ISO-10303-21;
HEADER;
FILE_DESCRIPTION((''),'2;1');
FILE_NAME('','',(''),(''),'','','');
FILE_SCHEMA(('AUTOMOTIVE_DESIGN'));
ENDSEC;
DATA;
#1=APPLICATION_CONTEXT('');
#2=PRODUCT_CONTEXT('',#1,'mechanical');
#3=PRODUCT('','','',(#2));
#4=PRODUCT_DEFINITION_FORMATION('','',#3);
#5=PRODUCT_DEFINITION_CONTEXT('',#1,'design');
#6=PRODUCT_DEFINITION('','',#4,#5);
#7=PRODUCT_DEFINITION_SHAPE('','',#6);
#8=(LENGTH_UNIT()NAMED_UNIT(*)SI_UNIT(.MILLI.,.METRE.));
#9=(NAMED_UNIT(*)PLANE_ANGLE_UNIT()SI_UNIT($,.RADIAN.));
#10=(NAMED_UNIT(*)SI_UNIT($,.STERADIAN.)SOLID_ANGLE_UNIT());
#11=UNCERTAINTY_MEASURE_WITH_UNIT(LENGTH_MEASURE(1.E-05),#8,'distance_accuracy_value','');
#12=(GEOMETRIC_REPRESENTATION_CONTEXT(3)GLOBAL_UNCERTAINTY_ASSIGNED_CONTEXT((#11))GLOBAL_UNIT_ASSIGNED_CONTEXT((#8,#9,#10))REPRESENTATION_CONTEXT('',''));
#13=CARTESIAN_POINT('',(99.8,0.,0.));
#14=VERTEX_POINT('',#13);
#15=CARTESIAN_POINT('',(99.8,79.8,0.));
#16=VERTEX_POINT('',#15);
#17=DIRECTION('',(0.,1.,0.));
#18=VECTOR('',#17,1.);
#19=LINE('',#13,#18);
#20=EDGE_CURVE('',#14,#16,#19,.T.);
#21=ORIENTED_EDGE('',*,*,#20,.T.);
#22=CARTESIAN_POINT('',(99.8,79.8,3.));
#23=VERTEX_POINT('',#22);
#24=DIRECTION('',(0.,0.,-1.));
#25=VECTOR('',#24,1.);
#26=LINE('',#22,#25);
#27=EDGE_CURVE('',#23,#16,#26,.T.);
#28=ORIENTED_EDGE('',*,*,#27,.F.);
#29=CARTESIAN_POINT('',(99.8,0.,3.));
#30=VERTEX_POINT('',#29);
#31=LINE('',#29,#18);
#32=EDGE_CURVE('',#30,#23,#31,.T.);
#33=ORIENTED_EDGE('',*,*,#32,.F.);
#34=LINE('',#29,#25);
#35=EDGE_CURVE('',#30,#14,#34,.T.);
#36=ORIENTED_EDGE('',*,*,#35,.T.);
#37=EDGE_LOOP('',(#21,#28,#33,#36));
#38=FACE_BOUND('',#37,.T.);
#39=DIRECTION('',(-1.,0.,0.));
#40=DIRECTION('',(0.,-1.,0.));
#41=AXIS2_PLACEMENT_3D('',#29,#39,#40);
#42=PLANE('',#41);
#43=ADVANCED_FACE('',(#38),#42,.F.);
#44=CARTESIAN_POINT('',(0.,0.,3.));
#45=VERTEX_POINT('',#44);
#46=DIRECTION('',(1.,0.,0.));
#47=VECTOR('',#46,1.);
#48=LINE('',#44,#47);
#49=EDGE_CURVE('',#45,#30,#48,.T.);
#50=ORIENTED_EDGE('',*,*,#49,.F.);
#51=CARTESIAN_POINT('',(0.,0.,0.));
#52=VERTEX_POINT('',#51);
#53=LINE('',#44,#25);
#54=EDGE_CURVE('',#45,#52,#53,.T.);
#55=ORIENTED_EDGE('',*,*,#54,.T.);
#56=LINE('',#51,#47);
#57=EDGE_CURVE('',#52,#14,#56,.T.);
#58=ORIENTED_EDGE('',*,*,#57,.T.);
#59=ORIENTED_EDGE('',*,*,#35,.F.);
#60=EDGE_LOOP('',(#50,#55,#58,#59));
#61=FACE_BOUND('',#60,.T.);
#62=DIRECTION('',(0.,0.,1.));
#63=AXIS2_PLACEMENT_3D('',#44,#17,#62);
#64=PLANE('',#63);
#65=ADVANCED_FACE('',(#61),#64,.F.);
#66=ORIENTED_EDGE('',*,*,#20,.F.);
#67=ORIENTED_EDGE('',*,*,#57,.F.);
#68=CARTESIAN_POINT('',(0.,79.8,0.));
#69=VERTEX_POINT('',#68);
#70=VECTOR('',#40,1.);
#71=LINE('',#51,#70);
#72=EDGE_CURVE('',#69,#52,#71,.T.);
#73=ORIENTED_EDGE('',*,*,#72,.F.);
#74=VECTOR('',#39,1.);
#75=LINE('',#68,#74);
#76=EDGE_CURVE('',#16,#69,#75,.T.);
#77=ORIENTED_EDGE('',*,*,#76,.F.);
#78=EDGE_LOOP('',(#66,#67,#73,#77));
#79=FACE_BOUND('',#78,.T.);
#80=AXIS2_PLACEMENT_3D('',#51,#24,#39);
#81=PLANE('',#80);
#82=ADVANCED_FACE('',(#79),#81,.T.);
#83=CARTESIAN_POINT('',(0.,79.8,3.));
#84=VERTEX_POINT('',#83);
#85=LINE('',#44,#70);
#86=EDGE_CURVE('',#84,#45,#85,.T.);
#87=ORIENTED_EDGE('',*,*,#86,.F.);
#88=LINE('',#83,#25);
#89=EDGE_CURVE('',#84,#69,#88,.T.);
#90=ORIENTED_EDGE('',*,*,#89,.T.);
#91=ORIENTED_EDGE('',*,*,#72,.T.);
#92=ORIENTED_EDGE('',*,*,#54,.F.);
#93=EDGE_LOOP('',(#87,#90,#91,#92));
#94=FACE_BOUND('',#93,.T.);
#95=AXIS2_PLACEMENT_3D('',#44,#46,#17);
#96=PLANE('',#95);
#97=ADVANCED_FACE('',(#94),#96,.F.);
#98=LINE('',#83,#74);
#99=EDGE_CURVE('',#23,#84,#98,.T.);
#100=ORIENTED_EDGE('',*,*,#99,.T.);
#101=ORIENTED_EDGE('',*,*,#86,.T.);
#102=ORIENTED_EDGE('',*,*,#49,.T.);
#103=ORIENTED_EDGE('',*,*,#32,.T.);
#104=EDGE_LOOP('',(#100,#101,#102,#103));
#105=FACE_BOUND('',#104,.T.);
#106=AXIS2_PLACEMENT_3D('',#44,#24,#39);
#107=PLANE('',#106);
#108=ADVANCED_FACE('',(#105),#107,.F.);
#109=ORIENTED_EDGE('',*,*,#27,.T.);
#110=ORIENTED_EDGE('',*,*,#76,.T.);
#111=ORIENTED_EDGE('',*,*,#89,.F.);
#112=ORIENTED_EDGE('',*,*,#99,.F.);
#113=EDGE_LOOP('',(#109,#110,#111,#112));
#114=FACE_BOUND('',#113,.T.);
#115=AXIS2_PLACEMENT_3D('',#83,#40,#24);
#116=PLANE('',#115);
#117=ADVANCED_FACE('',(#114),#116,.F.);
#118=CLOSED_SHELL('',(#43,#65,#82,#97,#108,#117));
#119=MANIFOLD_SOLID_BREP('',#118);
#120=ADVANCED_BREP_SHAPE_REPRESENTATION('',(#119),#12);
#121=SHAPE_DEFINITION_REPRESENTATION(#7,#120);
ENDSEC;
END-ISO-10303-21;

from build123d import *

# Parameters (mm, degrees)
SKICA1_W                = 99.8
SKICA1_H                = 79.8
P_IDAT_VYSUNUT_M1_DEPTH = 3


with BuildPart() as part:
    # Skica1 → Přidat vysunutím1 (new body)
    with BuildSketch(Plane.XY):
        with Locations((49.9, 39.9)):
            Rectangle(SKICA1_W, SKICA1_H)
    extrude(amount=P_IDAT_VYSUNUT_M1_DEPTH)


solid = part.part
